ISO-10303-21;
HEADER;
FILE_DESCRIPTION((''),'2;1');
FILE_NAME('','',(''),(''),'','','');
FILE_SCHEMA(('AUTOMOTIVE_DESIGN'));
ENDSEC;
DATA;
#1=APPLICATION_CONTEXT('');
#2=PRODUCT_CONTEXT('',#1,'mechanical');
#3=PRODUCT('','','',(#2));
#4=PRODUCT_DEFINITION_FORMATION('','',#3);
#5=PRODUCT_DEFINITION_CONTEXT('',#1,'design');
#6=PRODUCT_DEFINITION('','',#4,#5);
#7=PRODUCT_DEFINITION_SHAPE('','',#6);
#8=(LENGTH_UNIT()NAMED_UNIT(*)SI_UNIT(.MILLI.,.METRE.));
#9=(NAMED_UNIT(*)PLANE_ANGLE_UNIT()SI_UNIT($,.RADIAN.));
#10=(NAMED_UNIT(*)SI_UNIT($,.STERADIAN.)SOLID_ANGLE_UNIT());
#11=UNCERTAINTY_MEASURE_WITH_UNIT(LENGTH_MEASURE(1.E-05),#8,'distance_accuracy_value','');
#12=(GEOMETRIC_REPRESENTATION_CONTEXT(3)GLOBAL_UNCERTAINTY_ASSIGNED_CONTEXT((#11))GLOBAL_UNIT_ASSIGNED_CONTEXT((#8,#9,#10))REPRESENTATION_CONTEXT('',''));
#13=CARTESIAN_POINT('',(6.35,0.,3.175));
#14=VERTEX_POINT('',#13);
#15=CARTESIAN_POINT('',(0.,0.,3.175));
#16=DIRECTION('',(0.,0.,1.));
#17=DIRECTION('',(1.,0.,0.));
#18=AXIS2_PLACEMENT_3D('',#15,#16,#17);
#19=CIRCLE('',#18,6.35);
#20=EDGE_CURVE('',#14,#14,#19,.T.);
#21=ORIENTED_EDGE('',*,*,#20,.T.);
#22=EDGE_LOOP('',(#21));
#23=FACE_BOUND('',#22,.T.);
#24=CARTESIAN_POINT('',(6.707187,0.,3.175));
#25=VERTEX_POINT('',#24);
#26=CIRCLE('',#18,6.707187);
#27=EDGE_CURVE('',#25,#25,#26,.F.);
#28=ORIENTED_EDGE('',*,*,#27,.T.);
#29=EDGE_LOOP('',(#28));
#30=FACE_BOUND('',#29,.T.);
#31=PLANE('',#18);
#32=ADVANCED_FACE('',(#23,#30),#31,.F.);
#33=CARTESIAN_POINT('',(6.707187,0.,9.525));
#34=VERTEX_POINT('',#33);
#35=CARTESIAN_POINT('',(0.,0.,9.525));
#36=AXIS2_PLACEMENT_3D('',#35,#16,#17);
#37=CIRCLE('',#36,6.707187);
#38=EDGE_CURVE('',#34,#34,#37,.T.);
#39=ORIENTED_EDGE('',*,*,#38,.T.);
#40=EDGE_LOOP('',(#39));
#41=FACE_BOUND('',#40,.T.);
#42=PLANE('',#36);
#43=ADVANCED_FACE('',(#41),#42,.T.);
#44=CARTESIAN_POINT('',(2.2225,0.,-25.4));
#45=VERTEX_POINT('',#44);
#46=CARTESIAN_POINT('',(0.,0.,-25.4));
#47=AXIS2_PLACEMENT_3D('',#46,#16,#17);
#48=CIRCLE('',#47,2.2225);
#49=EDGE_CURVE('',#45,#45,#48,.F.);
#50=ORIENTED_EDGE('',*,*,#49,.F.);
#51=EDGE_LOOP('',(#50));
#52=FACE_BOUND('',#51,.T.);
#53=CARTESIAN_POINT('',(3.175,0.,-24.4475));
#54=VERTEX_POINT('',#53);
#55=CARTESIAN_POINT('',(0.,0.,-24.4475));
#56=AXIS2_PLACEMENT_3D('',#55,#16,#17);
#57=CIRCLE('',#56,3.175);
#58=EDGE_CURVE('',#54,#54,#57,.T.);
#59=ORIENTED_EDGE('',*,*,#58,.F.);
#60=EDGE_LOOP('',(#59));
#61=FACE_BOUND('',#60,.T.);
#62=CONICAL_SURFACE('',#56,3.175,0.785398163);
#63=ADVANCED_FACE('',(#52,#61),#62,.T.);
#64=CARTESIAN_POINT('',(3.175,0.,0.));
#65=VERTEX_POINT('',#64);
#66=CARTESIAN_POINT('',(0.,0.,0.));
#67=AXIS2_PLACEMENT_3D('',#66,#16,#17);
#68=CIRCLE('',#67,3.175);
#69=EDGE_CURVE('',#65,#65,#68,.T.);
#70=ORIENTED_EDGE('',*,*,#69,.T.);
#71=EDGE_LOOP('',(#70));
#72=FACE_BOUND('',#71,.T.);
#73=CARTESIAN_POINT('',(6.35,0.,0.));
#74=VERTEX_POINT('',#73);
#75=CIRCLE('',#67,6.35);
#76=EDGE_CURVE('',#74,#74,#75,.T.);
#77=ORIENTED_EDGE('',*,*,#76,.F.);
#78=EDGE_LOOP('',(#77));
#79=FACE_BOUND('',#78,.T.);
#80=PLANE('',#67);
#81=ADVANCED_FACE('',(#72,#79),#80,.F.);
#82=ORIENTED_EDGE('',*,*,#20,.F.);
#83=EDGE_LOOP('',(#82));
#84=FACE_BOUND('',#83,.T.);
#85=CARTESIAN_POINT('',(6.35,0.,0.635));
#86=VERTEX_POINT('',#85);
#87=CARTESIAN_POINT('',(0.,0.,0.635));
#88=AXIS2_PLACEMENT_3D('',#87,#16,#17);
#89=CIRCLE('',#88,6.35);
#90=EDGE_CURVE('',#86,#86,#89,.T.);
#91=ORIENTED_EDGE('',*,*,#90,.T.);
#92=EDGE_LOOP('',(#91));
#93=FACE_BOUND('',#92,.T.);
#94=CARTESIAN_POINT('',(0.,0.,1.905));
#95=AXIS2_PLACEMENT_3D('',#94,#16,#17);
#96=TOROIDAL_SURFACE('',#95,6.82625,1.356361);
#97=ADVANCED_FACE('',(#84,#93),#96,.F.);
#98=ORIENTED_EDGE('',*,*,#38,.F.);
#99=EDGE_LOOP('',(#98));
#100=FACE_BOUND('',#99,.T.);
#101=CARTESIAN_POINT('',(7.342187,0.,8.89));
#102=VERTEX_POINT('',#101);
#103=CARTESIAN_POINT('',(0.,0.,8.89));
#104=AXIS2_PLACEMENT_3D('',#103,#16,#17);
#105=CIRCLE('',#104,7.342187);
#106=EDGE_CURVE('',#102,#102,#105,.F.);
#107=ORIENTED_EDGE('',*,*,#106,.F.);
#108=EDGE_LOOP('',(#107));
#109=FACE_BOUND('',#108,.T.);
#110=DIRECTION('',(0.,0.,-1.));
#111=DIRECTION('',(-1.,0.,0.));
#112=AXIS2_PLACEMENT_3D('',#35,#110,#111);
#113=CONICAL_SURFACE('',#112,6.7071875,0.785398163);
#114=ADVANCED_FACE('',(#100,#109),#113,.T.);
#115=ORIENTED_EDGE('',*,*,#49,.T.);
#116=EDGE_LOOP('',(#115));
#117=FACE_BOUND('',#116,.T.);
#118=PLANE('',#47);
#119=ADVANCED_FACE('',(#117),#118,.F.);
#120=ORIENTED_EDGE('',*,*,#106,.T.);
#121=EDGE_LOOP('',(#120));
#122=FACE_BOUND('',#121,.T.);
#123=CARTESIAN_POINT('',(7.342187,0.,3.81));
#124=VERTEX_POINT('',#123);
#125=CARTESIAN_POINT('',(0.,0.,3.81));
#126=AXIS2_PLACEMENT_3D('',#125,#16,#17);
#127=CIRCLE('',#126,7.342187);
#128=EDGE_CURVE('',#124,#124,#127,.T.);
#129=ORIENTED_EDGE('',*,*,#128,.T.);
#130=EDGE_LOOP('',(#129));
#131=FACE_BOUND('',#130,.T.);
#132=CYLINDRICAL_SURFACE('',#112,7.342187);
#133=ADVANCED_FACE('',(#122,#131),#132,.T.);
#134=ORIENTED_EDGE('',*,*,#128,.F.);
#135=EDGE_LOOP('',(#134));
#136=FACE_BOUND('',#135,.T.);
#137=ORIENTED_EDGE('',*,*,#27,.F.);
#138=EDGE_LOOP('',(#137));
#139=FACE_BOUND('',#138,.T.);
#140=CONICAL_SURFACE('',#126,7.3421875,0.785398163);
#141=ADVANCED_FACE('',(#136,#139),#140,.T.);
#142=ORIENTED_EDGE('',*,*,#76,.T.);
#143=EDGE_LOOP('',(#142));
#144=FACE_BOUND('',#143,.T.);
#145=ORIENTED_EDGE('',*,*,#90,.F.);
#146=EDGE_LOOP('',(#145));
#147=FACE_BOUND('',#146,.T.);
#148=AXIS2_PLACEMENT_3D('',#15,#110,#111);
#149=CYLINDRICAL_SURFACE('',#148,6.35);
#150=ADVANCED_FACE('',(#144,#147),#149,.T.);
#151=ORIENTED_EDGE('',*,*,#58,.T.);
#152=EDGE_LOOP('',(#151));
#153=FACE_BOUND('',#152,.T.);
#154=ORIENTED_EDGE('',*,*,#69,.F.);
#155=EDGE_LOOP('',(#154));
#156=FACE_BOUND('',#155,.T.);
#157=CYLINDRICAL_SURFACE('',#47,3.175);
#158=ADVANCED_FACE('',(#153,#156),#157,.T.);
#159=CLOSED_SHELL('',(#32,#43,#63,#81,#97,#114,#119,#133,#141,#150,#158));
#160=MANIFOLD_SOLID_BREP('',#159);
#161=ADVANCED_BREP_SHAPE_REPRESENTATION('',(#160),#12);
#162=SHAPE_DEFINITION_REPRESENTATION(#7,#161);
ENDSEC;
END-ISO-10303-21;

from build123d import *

# Parameters (mm, degrees)
SKETCH1_R           = 3.175
EXTRUDE1_DEPTH      = 25.4
CHAMFER2_SIZE       = 0.9525
SKETCH27_R          = 6.35
BOSS_EXTRUDE4_DEPTH = 3.175
SKETCH21_R          = 7.3421875
BOSS_EXTRUDE1_DEPTH = 6.35
CHAMFER3_SIZE       = 0.635


with BuildPart() as part:
    # Sketch1 → Extrude1 (new body)
    with BuildSketch(Plane.XY):
        Circle(SKETCH1_R)
    extrude(amount=-EXTRUDE1_DEPTH)

    # Chamfer2
    chamfer2_edges = [part.edges().sort_by_distance(p)[0] for p in [
        (-3.175, 0, -25.4),
    ]]
    chamfer(chamfer2_edges, length=CHAMFER2_SIZE)

    # Sketch27 → Boss-Extrude4 (add)
    with BuildSketch(Plane.XY):
        Circle(SKETCH27_R)
    extrude(amount=BOSS_EXTRUDE4_DEPTH)

    # Sketch21 → Boss-Extrude1 (add)
    with BuildSketch(Plane.XY.offset(3.175)):
        Circle(SKETCH21_R)
    extrude(amount=BOSS_EXTRUDE1_DEPTH)

    # Sketch28 → Cut-Revolve1 (revolve, cut)
    with BuildSketch(Plane(origin=(0, 0, 0), x_dir=(0, 0, -1), z_dir=(1, 0, 0))):
        with BuildLine():
            Line((-3.175, 6.35), (-0.635, 6.35))
            ThreePointArc((-0.635, 6.35), (-1.905, 5.469889405), (-3.175, 6.35))
        make_face()
    revolve(axis=Axis((0, 0, 0), (0, 0, -1)), mode=Mode.SUBTRACT)

    # Chamfer3
    chamfer3_edges = [part.edges().sort_by_distance(p)[0] for p in [
        (-7.3421875, 0, 3.175),
        (-7.3421875, 0, 9.525),
    ]]
    chamfer(chamfer3_edges, length=CHAMFER3_SIZE)


solid = part.part
